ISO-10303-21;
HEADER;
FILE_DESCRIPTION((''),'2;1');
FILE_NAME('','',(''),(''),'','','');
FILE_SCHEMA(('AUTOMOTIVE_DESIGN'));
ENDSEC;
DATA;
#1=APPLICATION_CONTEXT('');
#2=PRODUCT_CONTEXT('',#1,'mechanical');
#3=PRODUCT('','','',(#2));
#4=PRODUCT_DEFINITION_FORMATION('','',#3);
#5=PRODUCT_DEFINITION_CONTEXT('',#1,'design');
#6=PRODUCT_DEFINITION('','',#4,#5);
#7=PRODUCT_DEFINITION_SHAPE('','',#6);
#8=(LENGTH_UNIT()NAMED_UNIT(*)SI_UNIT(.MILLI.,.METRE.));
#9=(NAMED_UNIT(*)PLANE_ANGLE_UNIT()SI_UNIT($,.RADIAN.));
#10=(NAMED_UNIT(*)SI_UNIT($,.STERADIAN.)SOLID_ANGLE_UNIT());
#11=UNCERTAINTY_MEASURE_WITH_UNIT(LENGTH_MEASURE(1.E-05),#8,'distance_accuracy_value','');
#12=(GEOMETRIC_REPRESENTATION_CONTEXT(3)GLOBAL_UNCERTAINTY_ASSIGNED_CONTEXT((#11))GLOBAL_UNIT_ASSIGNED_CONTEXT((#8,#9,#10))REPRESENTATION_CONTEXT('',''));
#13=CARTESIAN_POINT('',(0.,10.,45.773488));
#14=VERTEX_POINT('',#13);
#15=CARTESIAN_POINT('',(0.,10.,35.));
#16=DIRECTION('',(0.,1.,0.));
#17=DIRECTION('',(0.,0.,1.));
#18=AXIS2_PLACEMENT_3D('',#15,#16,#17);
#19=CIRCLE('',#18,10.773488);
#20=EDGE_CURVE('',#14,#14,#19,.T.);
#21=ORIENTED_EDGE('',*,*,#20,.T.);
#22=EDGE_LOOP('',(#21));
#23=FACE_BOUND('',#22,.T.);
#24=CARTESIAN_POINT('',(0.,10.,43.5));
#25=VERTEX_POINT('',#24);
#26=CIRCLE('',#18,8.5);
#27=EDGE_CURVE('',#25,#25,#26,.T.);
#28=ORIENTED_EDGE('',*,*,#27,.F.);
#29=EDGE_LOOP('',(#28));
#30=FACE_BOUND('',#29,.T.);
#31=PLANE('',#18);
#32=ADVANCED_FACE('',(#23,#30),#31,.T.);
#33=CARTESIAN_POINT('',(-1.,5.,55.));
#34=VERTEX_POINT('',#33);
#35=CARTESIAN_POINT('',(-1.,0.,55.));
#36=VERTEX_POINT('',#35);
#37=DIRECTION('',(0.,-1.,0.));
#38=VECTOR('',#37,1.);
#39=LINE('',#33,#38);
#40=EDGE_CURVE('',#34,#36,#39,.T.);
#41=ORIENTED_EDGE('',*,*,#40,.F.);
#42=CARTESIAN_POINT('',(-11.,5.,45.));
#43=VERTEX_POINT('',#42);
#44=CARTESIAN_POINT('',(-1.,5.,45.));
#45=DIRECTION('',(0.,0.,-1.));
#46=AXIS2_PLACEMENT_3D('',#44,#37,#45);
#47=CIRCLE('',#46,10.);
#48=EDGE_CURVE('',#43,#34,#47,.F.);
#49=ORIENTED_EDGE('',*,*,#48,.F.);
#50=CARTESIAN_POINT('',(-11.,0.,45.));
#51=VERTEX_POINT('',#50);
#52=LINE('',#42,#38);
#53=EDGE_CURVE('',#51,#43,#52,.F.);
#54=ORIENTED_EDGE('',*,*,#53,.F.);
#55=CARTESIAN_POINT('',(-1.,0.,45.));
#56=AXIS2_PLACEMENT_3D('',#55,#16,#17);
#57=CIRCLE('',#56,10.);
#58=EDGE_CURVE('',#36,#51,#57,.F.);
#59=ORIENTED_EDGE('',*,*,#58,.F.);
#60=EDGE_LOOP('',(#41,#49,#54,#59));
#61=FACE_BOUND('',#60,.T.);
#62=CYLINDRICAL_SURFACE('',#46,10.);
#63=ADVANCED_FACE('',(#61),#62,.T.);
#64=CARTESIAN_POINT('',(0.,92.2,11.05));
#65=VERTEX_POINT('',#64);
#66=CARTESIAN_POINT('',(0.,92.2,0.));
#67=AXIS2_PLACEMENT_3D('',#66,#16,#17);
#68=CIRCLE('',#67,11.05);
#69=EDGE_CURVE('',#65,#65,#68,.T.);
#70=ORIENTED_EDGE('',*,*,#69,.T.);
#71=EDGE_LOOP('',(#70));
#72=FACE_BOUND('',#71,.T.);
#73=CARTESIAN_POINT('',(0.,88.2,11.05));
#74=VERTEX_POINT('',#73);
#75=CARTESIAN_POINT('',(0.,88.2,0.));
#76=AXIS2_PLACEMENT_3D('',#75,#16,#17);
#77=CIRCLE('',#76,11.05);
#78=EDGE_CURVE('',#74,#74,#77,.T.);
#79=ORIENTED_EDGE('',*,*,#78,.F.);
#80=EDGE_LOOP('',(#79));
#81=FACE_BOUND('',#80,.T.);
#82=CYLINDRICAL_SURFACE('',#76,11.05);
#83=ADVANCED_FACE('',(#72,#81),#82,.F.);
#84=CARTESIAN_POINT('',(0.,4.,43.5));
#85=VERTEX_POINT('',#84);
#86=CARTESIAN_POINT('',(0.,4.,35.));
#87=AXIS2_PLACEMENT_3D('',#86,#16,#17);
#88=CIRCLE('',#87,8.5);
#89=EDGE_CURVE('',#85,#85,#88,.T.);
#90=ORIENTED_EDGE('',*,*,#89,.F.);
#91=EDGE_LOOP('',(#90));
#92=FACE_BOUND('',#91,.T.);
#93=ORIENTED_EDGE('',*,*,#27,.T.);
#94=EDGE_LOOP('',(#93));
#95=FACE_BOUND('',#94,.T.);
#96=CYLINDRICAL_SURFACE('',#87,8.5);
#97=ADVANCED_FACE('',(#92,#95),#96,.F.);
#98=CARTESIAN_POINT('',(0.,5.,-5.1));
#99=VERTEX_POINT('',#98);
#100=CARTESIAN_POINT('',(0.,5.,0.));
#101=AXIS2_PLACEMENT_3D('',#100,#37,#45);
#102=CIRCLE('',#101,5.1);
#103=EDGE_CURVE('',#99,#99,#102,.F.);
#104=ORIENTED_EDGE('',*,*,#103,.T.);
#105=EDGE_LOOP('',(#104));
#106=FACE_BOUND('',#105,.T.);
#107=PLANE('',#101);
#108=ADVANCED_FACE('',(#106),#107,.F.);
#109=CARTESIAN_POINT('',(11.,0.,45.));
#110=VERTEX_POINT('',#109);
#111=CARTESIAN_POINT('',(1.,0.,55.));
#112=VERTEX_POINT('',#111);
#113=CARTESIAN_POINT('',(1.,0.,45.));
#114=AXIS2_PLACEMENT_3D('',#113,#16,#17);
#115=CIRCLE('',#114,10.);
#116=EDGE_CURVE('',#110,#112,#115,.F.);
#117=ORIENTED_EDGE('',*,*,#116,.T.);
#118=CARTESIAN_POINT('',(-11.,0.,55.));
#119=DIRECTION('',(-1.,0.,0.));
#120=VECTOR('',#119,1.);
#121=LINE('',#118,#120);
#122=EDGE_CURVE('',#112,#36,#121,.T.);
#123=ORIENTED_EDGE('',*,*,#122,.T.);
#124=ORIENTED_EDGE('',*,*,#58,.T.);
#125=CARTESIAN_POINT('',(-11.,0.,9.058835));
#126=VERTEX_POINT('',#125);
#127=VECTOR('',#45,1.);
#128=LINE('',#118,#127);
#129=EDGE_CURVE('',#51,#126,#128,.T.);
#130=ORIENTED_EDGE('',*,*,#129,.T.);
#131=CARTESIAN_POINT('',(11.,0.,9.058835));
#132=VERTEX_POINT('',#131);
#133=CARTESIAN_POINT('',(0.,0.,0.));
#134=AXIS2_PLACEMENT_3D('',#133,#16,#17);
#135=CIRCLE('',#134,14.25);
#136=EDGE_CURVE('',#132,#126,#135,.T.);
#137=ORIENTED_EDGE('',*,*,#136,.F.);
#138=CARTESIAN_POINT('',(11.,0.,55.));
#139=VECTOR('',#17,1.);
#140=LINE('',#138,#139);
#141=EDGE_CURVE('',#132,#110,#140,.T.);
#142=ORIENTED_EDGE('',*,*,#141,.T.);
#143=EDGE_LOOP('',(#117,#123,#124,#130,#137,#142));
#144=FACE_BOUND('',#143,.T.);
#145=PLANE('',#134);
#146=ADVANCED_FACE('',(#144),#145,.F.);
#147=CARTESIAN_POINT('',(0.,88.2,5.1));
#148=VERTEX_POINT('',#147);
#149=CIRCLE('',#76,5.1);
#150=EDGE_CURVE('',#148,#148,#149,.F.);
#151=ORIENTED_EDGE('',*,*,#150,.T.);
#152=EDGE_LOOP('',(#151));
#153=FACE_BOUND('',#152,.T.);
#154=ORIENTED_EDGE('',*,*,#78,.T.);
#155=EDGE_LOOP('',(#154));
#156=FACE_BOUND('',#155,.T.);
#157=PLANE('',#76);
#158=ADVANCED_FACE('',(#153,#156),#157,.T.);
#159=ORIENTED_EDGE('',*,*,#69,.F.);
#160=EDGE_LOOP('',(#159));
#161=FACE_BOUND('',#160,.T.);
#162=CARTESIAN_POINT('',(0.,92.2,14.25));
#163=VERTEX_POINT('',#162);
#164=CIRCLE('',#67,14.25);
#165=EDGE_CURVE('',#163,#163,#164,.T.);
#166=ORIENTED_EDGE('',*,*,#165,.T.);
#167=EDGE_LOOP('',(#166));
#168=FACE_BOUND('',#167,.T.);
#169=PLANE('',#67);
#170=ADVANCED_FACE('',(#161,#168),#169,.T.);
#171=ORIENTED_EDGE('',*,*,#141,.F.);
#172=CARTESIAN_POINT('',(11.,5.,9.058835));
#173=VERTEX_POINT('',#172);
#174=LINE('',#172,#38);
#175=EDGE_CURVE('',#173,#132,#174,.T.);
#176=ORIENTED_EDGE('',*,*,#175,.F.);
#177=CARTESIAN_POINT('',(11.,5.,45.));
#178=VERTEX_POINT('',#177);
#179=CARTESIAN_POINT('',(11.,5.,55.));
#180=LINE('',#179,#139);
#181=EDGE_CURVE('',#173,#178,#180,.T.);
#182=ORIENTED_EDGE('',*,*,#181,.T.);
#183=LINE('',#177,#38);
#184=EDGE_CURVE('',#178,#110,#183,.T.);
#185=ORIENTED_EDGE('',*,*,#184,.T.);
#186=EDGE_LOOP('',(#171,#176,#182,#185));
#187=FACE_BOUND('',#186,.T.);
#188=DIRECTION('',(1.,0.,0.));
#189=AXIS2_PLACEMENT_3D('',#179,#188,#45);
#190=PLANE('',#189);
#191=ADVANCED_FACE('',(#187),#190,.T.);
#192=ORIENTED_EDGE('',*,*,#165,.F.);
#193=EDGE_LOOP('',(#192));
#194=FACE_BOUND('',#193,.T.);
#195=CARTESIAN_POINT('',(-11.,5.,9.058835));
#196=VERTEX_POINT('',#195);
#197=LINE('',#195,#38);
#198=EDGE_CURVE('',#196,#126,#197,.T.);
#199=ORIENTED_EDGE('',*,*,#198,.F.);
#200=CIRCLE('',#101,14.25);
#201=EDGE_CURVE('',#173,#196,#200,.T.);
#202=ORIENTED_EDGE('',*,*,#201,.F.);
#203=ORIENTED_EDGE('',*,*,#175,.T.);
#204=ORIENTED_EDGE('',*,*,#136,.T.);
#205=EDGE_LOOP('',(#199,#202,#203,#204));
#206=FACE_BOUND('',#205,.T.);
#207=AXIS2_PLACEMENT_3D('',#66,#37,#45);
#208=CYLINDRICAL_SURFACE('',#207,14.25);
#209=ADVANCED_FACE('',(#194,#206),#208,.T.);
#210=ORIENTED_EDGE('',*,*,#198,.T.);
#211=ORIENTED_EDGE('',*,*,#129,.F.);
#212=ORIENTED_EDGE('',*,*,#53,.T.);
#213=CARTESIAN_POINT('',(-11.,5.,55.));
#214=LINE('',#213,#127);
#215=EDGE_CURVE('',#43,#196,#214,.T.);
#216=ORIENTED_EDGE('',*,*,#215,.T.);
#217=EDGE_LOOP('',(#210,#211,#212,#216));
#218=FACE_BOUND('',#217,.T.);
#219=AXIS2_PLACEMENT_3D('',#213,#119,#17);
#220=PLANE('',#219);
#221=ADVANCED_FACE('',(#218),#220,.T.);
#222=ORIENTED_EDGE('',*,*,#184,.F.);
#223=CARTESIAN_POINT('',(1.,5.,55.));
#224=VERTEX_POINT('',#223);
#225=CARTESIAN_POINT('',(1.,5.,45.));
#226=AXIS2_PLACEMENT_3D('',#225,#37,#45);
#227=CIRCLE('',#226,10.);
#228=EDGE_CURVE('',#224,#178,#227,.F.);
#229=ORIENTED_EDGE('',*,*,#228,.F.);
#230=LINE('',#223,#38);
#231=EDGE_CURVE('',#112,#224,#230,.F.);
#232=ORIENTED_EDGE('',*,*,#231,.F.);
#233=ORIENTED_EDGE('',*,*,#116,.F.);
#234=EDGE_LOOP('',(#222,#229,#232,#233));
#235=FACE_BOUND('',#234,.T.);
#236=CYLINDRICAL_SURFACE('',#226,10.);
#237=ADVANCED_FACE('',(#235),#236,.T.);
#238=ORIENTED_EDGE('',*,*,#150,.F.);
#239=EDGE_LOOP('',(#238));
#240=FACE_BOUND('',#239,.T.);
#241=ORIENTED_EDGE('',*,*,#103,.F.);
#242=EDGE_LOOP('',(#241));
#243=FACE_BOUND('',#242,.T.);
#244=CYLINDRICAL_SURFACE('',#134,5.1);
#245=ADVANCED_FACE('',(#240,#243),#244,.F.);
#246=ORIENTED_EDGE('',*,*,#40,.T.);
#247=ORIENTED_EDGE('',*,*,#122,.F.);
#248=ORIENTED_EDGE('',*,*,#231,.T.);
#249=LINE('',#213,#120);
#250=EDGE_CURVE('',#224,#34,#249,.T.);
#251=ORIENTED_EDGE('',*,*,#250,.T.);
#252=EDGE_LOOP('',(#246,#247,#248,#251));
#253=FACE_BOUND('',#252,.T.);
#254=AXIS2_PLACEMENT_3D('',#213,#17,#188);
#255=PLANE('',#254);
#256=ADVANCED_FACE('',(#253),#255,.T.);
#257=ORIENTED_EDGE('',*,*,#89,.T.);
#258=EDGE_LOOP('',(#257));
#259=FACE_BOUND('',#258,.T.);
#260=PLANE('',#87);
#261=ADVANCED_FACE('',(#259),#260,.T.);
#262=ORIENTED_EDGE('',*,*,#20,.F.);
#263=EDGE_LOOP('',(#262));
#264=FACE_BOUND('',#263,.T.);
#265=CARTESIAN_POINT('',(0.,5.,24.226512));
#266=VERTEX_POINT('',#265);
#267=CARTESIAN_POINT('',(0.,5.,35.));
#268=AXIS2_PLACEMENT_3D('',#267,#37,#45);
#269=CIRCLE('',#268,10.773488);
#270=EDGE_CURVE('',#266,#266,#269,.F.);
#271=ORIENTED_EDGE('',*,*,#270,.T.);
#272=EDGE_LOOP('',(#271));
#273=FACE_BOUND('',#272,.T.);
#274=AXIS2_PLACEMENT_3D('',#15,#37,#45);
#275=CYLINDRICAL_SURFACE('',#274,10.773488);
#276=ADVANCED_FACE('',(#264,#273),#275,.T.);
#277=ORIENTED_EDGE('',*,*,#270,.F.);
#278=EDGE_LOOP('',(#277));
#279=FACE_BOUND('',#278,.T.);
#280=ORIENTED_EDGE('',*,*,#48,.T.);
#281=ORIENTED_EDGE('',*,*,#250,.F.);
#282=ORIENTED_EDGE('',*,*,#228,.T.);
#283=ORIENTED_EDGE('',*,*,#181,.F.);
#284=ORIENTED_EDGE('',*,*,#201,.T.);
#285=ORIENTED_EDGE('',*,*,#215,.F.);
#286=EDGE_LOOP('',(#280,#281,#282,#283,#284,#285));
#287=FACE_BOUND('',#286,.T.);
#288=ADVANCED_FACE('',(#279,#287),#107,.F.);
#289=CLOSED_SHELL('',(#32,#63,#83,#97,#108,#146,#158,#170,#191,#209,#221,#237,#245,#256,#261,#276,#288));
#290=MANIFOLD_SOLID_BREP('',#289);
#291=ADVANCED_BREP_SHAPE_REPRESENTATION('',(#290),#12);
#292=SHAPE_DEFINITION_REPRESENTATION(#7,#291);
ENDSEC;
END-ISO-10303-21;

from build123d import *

# Parameters (mm, degrees)
SKETCH1_R           = 14.25
BOSS_EXTRUDE1_DEPTH = 92.2
SKETCH2_R           = 5.1
CUT_EXTRUDE1_DEPTH  = 92.2
SKETCH3_R           = 11.05
CUT_EXTRUDE2_DEPTH  = 4
BOSS_EXTRUDE2_DEPTH = 5
SKETCH6_R           = 8.5
CUT_EXTRUDE3_DEPTH  = 1
FILLET1_R           = 10
BOSS_EXTRUDE3_START = 5
SKETCH7_R           = 10.773488024
SKETCH7_R_2         = 8.5
BOSS_EXTRUDE3_DEPTH = 5


with BuildPart() as part:
    # Sketch1 → Boss-Extrude1 (new body)
    with BuildSketch(Plane(origin=(0, 0, 0), x_dir=(1, 0, 0), z_dir=(0, 1, 0))):
        with Locations(Location((0, 0, 0), (0, 0, 270))):
            Circle(SKETCH1_R)
    extrude(amount=BOSS_EXTRUDE1_DEPTH)

    # Sketch2 → Cut-Extrude1 (cut)
    with BuildSketch(Plane(origin=(0, 92.2, 0), x_dir=(1, 0, 0), z_dir=(0, 1, 0))):
        with Locations(Location((0, 0, 0), (0, 0, 270))):
            Circle(SKETCH2_R)
    extrude(amount=-CUT_EXTRUDE1_DEPTH, mode=Mode.SUBTRACT)

    # Sketch3 → Cut-Extrude2 (cut)
    with BuildSketch(Plane(origin=(0, 92.2, 0), x_dir=(1, 0, 0), z_dir=(0, 1, 0))):
        with Locations(Location((0, 0, 0), (0, 0, 270))):
            Circle(SKETCH3_R)
    extrude(amount=-CUT_EXTRUDE2_DEPTH, mode=Mode.SUBTRACT)

    # Sketch4 → Boss-Extrude2 (add)
    with BuildSketch(Plane.XZ):
        with BuildLine():
            Line((-11, 55), (11, 55))
            Line((11, 55), (11, 9.058835466))
            ThreePointArc((11, 9.058835466), (0, -14.25), (-11, 9.058835466))
            Line((-11, 9.058835466), (-11, 55))
        make_face()
    extrude(amount=-BOSS_EXTRUDE2_DEPTH)

    # Sketch6 → Cut-Extrude3 (cut)
    with BuildSketch(Plane(origin=(0, 5, 0), x_dir=(1, 0, 0), z_dir=(0, 1, 0))):
        with Locations(Location((0, -35, 0), (0, 0, 270))):
            Circle(SKETCH6_R)
    extrude(amount=-CUT_EXTRUDE3_DEPTH, mode=Mode.SUBTRACT)

    # Fillet1
    fillet1_edges = [part.edges().sort_by_distance(p)[0] for p in [
        (-11, 2.5, 55),
        (11, 2.5, 55),
    ]]
    fillet(fillet1_edges, radius=FILLET1_R)

    # Sketch7 → Boss-Extrude3 (add)
    with BuildSketch(Plane(origin=(0, 5, 0), x_dir=(1, 0, 0), z_dir=(0, 1, 0)).offset(BOSS_EXTRUDE3_START)):
        with Locations(Location((0, -35, 0), (0, 0, 90))):
            Circle(SKETCH7_R)
        with Locations(Location((0, -35, 0), (0, 0, 270))):
            Circle(SKETCH7_R_2, mode=Mode.SUBTRACT)
    extrude(amount=-BOSS_EXTRUDE3_DEPTH)


solid = part.part
